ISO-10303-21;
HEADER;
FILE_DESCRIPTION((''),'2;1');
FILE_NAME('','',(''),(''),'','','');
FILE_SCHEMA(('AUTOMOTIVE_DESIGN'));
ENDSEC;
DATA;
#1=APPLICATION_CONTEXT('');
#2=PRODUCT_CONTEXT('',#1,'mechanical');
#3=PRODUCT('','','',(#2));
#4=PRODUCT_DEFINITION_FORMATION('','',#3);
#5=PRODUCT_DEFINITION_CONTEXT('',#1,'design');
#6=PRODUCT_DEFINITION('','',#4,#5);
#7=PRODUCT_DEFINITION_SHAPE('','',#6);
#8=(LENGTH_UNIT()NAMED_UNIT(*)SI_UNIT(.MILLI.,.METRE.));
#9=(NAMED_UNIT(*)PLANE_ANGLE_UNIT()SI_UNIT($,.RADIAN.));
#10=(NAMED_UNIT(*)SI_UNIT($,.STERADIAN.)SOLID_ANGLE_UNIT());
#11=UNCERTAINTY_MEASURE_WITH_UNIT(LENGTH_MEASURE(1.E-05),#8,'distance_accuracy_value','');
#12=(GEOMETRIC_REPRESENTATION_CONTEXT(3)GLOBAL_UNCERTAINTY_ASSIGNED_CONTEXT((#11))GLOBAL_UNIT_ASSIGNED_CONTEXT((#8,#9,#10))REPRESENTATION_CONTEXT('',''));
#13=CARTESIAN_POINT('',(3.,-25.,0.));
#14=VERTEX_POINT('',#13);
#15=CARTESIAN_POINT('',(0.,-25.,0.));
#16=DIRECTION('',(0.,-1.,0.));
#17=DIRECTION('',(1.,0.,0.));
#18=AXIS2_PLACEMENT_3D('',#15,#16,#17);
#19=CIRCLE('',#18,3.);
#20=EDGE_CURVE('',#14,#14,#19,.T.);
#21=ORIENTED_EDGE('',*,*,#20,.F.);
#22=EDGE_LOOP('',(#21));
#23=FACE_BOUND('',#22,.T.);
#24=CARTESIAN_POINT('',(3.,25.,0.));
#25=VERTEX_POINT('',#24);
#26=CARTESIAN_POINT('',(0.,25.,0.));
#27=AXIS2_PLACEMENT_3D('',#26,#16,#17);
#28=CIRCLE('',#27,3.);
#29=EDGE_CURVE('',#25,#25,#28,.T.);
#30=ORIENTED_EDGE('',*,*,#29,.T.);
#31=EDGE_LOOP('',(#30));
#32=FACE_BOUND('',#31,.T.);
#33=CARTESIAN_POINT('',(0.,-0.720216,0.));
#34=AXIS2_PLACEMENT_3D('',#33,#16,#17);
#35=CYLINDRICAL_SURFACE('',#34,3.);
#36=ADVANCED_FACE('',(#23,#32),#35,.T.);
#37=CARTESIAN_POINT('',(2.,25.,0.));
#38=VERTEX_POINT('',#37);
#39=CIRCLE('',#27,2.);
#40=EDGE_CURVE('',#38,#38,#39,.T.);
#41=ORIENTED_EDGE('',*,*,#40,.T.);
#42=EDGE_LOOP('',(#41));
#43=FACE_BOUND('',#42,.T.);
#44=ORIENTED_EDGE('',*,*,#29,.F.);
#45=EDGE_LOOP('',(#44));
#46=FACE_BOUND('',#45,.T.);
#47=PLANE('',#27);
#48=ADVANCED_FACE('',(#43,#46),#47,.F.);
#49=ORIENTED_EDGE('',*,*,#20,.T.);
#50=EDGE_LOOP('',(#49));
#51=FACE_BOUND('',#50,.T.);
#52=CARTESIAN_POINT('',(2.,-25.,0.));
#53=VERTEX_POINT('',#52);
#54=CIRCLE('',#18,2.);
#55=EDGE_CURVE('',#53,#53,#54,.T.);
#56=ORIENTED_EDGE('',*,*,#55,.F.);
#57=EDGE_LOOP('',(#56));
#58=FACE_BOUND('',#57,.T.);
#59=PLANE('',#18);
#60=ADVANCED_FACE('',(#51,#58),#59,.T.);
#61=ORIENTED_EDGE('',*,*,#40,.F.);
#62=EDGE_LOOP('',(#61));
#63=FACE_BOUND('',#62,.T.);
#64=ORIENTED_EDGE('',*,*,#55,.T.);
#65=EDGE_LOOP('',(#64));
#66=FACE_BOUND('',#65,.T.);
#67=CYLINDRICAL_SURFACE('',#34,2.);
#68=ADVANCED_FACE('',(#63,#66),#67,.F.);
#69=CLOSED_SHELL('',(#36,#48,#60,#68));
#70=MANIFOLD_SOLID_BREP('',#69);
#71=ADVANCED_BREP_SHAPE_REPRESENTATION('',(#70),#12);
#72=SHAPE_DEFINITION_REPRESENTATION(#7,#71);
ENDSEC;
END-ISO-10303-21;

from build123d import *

# Parameters (mm, degrees)
CROQUIS1_W = 1
CROQUIS1_H = 50


with BuildPart() as part:
    # Croquis1 → Revolución1 (revolve)
    with BuildSketch(Plane.XY):
        with Locations((-2.5, 0)):
            Rectangle(CROQUIS1_W, CROQUIS1_H)
    revolve(axis=Axis((0, -0.720216084, 0), (0, 1, 0)))


solid = part.part
